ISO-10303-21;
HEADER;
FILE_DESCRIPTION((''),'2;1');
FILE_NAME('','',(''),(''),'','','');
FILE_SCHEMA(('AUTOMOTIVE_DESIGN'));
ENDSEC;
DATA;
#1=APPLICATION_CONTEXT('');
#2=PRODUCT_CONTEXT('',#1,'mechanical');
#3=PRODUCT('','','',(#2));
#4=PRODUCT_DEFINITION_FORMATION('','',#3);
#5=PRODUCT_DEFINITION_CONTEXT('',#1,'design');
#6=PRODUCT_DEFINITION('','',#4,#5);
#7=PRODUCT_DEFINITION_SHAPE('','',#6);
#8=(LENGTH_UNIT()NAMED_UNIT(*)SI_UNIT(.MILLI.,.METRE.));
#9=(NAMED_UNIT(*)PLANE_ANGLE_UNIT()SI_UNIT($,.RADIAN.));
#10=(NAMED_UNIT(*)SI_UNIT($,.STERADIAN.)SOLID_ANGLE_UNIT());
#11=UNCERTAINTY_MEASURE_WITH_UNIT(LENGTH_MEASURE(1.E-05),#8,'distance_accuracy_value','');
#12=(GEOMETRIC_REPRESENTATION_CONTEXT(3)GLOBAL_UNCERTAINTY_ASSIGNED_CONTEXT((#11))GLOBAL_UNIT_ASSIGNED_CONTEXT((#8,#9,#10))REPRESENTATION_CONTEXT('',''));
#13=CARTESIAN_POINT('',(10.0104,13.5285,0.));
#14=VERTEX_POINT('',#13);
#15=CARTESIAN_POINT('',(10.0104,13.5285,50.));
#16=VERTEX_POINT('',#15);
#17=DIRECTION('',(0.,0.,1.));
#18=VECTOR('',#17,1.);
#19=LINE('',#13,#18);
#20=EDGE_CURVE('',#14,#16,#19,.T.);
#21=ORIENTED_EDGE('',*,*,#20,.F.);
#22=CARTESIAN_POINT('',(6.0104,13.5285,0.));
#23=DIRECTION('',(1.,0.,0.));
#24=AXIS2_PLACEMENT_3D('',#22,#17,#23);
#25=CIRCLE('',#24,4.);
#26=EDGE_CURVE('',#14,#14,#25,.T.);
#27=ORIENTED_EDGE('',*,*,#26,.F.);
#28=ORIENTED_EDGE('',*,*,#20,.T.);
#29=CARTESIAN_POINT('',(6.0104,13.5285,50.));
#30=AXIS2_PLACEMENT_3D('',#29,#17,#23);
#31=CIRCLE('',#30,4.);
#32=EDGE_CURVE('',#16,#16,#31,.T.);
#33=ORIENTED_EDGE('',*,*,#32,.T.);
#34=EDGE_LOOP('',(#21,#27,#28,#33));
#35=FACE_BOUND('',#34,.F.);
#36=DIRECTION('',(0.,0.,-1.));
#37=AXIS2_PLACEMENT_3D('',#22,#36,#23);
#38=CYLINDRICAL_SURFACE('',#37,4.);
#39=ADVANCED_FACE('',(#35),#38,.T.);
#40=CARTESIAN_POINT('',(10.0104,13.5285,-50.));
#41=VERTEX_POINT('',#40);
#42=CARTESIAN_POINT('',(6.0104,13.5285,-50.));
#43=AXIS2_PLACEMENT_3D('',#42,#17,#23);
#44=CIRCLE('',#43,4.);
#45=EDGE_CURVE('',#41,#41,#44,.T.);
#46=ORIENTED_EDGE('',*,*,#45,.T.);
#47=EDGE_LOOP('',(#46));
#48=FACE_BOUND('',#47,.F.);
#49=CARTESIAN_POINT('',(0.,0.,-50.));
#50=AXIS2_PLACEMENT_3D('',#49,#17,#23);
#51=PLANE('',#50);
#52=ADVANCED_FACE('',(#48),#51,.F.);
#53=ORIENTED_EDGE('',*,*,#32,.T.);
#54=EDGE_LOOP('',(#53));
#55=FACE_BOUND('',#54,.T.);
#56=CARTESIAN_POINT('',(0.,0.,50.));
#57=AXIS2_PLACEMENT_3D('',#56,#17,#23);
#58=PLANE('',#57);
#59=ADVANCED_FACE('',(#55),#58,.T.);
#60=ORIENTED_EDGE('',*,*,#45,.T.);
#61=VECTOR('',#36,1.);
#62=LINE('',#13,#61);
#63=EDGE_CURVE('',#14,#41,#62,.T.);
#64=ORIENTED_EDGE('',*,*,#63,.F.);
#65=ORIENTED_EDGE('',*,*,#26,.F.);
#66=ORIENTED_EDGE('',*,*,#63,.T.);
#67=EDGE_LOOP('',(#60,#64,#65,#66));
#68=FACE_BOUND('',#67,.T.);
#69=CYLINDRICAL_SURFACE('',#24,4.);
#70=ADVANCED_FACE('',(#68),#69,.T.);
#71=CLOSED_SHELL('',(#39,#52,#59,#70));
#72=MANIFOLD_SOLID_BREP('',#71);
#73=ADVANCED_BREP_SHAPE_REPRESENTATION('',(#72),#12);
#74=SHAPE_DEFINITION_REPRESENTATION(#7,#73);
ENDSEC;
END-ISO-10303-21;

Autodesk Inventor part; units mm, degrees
ref_plane "YZ Plane" through (0, 0, 0) normal (1, 0, 0) x (0, 1, 0)
ref_plane "XZ Plane" through (0, 0, 0) normal (0, 1, 0) x (-1, 0, 0)
ref_plane "XY Plane" through (0, 0, 0) normal (0, 0, 1) x (1, 0, 0)
sketch "Sketch1" plane through (0, 0, 0) normal (0, 0, 1) x (1, 0, 0)
  circle A0 centre (6.0104, 13.5285) radius 4
  point P0 (0, 0)
  dimension "d0" = 8
  dimension "d0" = 8
extrude "Extrusion1" add sketch "Sketch1" along normal mid plane 100
properties part number "Lead Screw 8mm 150mm" material "Stainless Steel"
